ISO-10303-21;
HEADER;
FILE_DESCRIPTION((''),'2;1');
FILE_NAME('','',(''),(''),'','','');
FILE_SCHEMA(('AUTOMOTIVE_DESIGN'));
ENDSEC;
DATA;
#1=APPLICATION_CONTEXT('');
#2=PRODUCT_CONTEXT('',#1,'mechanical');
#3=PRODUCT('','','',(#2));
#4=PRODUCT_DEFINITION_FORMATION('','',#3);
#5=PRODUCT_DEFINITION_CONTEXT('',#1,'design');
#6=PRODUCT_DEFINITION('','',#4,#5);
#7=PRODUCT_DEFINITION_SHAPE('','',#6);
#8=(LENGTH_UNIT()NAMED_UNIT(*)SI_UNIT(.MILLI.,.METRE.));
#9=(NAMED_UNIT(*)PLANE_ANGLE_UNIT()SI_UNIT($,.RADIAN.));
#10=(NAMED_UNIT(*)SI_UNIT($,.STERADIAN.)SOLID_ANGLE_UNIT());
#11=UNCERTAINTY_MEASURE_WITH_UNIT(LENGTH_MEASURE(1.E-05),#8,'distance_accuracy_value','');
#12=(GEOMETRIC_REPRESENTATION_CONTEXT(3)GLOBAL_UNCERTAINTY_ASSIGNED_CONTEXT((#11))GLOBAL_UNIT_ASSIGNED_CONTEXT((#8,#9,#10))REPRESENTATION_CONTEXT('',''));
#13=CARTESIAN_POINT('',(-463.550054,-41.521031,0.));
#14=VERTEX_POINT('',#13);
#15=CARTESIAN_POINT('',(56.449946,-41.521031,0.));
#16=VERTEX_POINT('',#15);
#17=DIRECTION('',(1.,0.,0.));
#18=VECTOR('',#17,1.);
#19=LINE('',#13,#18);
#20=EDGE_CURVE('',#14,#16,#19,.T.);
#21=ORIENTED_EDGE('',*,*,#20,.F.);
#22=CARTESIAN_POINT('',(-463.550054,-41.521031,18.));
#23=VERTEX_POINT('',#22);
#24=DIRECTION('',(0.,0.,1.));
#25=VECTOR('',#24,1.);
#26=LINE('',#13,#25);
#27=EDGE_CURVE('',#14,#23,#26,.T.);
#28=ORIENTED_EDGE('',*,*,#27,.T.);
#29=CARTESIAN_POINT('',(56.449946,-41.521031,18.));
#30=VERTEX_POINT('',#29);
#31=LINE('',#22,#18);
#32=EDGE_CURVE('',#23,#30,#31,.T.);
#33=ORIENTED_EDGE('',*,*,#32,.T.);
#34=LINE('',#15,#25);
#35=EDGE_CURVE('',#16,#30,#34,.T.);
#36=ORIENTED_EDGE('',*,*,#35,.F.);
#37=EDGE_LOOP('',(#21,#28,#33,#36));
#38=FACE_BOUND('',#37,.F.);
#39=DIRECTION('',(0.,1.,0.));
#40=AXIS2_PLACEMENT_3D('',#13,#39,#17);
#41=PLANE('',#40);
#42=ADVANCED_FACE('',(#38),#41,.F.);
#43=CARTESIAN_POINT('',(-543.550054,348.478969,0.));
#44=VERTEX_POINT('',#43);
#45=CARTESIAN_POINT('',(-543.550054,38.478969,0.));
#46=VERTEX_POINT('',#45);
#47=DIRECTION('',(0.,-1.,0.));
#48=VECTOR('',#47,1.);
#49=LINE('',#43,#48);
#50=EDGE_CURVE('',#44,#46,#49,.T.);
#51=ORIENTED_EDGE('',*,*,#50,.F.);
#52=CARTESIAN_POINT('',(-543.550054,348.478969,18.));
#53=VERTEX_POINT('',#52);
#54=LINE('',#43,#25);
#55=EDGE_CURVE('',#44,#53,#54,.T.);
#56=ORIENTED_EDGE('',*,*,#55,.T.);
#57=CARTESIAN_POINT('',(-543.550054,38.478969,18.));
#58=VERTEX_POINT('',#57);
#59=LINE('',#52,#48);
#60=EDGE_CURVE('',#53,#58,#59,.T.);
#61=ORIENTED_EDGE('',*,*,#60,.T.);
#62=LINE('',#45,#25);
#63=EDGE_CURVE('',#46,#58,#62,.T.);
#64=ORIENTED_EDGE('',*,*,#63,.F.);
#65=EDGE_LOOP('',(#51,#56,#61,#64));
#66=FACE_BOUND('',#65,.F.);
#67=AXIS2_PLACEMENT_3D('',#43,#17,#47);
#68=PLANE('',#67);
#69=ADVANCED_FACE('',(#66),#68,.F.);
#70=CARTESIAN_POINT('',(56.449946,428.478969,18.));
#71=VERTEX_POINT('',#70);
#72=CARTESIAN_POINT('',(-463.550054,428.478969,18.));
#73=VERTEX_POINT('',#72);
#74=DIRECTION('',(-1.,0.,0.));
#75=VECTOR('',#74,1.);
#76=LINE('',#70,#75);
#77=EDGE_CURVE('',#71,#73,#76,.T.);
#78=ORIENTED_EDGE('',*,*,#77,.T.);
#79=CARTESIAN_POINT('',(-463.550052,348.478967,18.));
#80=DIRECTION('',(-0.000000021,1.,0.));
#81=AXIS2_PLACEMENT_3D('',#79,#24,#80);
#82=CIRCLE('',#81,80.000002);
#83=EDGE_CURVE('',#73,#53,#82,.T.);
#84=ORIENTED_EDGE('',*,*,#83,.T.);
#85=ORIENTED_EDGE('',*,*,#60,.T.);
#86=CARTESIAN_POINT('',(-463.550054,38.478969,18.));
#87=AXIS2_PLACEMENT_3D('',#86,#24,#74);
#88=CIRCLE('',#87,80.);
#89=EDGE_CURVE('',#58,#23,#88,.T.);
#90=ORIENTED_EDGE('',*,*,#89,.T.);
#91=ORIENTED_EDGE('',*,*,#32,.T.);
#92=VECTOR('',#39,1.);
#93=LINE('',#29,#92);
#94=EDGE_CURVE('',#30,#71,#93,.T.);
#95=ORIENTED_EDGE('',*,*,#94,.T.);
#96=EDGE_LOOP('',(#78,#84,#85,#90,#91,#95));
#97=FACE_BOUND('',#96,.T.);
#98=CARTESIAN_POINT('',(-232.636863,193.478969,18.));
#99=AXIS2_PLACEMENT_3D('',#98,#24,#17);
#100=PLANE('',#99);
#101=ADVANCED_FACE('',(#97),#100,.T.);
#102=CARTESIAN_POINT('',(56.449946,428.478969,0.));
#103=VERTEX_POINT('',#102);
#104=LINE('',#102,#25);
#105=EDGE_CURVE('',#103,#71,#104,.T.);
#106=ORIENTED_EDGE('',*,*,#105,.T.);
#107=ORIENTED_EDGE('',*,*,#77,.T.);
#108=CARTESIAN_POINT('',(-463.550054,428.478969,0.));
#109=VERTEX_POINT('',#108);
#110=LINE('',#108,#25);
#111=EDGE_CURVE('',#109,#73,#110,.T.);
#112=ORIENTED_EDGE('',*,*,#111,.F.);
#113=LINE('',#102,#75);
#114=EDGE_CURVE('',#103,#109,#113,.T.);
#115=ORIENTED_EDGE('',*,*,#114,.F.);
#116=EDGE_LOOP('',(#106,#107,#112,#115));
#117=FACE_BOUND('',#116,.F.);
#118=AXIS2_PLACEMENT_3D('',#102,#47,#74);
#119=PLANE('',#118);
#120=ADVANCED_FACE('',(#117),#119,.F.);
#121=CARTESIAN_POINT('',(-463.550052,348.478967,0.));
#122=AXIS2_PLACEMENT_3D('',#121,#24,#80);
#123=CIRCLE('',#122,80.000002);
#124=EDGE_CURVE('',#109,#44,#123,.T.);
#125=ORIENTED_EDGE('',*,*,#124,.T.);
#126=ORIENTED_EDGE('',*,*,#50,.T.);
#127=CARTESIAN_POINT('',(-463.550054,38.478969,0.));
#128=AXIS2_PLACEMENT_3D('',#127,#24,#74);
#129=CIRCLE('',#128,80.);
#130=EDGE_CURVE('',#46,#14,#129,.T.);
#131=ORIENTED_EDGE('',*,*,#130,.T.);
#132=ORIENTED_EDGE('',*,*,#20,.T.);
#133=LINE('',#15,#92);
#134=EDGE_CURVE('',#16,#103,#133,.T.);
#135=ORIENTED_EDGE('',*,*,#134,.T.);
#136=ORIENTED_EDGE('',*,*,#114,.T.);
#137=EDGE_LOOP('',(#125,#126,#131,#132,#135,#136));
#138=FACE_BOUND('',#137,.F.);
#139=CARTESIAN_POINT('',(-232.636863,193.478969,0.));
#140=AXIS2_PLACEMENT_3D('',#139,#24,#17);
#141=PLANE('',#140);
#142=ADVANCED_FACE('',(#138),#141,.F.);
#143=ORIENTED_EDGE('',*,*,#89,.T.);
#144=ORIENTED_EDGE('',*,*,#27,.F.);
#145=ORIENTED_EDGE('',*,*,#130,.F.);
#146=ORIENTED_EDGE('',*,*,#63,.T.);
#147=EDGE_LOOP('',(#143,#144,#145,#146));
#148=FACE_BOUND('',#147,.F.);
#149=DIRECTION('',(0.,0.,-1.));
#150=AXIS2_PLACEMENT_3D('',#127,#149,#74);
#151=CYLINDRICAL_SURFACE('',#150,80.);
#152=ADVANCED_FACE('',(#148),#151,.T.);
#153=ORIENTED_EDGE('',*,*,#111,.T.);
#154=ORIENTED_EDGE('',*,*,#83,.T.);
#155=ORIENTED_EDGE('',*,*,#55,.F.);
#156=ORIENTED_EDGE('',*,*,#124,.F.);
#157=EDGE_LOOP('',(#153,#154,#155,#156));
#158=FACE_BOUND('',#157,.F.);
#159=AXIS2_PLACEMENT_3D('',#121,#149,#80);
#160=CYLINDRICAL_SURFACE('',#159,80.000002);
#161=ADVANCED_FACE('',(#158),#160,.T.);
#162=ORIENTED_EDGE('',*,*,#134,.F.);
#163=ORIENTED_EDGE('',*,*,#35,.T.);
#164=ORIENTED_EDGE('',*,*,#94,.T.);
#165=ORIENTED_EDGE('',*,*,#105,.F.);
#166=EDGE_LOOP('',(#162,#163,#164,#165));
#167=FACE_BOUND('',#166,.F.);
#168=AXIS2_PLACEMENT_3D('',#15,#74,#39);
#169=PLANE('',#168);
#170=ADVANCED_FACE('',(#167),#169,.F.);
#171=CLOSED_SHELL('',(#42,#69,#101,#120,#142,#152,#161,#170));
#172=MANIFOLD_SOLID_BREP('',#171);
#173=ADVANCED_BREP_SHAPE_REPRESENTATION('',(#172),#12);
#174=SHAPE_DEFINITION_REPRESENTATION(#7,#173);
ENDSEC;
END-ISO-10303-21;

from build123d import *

# Parameters (mm, degrees)
F1_DEPTH = 18


with BuildPart() as f1:
    # F0 (on Top) → F1 (new body)
    with BuildSketch(Plane.XY):
        with BuildLine():
            Line((56.449946, 428.478969), (-463.550054, 428.478969))
            ThreePointArc((-463.550054, 428.478969), (-520.118596, 405.047511), (-543.550054, 348.478969))
            Line((-543.550054, 348.478969), (-543.550054, 38.478969))
            ThreePointArc((-543.550054, 38.478969), (-520.118596, -18.089574), (-463.550054, -41.521031))
            Line((-463.550054, -41.521031), (56.449946, -41.521031))
            Line((56.449946, -41.521031), (56.449946, 428.478969))
        make_face()
    extrude(amount=F1_DEPTH)


solid = f1.part
